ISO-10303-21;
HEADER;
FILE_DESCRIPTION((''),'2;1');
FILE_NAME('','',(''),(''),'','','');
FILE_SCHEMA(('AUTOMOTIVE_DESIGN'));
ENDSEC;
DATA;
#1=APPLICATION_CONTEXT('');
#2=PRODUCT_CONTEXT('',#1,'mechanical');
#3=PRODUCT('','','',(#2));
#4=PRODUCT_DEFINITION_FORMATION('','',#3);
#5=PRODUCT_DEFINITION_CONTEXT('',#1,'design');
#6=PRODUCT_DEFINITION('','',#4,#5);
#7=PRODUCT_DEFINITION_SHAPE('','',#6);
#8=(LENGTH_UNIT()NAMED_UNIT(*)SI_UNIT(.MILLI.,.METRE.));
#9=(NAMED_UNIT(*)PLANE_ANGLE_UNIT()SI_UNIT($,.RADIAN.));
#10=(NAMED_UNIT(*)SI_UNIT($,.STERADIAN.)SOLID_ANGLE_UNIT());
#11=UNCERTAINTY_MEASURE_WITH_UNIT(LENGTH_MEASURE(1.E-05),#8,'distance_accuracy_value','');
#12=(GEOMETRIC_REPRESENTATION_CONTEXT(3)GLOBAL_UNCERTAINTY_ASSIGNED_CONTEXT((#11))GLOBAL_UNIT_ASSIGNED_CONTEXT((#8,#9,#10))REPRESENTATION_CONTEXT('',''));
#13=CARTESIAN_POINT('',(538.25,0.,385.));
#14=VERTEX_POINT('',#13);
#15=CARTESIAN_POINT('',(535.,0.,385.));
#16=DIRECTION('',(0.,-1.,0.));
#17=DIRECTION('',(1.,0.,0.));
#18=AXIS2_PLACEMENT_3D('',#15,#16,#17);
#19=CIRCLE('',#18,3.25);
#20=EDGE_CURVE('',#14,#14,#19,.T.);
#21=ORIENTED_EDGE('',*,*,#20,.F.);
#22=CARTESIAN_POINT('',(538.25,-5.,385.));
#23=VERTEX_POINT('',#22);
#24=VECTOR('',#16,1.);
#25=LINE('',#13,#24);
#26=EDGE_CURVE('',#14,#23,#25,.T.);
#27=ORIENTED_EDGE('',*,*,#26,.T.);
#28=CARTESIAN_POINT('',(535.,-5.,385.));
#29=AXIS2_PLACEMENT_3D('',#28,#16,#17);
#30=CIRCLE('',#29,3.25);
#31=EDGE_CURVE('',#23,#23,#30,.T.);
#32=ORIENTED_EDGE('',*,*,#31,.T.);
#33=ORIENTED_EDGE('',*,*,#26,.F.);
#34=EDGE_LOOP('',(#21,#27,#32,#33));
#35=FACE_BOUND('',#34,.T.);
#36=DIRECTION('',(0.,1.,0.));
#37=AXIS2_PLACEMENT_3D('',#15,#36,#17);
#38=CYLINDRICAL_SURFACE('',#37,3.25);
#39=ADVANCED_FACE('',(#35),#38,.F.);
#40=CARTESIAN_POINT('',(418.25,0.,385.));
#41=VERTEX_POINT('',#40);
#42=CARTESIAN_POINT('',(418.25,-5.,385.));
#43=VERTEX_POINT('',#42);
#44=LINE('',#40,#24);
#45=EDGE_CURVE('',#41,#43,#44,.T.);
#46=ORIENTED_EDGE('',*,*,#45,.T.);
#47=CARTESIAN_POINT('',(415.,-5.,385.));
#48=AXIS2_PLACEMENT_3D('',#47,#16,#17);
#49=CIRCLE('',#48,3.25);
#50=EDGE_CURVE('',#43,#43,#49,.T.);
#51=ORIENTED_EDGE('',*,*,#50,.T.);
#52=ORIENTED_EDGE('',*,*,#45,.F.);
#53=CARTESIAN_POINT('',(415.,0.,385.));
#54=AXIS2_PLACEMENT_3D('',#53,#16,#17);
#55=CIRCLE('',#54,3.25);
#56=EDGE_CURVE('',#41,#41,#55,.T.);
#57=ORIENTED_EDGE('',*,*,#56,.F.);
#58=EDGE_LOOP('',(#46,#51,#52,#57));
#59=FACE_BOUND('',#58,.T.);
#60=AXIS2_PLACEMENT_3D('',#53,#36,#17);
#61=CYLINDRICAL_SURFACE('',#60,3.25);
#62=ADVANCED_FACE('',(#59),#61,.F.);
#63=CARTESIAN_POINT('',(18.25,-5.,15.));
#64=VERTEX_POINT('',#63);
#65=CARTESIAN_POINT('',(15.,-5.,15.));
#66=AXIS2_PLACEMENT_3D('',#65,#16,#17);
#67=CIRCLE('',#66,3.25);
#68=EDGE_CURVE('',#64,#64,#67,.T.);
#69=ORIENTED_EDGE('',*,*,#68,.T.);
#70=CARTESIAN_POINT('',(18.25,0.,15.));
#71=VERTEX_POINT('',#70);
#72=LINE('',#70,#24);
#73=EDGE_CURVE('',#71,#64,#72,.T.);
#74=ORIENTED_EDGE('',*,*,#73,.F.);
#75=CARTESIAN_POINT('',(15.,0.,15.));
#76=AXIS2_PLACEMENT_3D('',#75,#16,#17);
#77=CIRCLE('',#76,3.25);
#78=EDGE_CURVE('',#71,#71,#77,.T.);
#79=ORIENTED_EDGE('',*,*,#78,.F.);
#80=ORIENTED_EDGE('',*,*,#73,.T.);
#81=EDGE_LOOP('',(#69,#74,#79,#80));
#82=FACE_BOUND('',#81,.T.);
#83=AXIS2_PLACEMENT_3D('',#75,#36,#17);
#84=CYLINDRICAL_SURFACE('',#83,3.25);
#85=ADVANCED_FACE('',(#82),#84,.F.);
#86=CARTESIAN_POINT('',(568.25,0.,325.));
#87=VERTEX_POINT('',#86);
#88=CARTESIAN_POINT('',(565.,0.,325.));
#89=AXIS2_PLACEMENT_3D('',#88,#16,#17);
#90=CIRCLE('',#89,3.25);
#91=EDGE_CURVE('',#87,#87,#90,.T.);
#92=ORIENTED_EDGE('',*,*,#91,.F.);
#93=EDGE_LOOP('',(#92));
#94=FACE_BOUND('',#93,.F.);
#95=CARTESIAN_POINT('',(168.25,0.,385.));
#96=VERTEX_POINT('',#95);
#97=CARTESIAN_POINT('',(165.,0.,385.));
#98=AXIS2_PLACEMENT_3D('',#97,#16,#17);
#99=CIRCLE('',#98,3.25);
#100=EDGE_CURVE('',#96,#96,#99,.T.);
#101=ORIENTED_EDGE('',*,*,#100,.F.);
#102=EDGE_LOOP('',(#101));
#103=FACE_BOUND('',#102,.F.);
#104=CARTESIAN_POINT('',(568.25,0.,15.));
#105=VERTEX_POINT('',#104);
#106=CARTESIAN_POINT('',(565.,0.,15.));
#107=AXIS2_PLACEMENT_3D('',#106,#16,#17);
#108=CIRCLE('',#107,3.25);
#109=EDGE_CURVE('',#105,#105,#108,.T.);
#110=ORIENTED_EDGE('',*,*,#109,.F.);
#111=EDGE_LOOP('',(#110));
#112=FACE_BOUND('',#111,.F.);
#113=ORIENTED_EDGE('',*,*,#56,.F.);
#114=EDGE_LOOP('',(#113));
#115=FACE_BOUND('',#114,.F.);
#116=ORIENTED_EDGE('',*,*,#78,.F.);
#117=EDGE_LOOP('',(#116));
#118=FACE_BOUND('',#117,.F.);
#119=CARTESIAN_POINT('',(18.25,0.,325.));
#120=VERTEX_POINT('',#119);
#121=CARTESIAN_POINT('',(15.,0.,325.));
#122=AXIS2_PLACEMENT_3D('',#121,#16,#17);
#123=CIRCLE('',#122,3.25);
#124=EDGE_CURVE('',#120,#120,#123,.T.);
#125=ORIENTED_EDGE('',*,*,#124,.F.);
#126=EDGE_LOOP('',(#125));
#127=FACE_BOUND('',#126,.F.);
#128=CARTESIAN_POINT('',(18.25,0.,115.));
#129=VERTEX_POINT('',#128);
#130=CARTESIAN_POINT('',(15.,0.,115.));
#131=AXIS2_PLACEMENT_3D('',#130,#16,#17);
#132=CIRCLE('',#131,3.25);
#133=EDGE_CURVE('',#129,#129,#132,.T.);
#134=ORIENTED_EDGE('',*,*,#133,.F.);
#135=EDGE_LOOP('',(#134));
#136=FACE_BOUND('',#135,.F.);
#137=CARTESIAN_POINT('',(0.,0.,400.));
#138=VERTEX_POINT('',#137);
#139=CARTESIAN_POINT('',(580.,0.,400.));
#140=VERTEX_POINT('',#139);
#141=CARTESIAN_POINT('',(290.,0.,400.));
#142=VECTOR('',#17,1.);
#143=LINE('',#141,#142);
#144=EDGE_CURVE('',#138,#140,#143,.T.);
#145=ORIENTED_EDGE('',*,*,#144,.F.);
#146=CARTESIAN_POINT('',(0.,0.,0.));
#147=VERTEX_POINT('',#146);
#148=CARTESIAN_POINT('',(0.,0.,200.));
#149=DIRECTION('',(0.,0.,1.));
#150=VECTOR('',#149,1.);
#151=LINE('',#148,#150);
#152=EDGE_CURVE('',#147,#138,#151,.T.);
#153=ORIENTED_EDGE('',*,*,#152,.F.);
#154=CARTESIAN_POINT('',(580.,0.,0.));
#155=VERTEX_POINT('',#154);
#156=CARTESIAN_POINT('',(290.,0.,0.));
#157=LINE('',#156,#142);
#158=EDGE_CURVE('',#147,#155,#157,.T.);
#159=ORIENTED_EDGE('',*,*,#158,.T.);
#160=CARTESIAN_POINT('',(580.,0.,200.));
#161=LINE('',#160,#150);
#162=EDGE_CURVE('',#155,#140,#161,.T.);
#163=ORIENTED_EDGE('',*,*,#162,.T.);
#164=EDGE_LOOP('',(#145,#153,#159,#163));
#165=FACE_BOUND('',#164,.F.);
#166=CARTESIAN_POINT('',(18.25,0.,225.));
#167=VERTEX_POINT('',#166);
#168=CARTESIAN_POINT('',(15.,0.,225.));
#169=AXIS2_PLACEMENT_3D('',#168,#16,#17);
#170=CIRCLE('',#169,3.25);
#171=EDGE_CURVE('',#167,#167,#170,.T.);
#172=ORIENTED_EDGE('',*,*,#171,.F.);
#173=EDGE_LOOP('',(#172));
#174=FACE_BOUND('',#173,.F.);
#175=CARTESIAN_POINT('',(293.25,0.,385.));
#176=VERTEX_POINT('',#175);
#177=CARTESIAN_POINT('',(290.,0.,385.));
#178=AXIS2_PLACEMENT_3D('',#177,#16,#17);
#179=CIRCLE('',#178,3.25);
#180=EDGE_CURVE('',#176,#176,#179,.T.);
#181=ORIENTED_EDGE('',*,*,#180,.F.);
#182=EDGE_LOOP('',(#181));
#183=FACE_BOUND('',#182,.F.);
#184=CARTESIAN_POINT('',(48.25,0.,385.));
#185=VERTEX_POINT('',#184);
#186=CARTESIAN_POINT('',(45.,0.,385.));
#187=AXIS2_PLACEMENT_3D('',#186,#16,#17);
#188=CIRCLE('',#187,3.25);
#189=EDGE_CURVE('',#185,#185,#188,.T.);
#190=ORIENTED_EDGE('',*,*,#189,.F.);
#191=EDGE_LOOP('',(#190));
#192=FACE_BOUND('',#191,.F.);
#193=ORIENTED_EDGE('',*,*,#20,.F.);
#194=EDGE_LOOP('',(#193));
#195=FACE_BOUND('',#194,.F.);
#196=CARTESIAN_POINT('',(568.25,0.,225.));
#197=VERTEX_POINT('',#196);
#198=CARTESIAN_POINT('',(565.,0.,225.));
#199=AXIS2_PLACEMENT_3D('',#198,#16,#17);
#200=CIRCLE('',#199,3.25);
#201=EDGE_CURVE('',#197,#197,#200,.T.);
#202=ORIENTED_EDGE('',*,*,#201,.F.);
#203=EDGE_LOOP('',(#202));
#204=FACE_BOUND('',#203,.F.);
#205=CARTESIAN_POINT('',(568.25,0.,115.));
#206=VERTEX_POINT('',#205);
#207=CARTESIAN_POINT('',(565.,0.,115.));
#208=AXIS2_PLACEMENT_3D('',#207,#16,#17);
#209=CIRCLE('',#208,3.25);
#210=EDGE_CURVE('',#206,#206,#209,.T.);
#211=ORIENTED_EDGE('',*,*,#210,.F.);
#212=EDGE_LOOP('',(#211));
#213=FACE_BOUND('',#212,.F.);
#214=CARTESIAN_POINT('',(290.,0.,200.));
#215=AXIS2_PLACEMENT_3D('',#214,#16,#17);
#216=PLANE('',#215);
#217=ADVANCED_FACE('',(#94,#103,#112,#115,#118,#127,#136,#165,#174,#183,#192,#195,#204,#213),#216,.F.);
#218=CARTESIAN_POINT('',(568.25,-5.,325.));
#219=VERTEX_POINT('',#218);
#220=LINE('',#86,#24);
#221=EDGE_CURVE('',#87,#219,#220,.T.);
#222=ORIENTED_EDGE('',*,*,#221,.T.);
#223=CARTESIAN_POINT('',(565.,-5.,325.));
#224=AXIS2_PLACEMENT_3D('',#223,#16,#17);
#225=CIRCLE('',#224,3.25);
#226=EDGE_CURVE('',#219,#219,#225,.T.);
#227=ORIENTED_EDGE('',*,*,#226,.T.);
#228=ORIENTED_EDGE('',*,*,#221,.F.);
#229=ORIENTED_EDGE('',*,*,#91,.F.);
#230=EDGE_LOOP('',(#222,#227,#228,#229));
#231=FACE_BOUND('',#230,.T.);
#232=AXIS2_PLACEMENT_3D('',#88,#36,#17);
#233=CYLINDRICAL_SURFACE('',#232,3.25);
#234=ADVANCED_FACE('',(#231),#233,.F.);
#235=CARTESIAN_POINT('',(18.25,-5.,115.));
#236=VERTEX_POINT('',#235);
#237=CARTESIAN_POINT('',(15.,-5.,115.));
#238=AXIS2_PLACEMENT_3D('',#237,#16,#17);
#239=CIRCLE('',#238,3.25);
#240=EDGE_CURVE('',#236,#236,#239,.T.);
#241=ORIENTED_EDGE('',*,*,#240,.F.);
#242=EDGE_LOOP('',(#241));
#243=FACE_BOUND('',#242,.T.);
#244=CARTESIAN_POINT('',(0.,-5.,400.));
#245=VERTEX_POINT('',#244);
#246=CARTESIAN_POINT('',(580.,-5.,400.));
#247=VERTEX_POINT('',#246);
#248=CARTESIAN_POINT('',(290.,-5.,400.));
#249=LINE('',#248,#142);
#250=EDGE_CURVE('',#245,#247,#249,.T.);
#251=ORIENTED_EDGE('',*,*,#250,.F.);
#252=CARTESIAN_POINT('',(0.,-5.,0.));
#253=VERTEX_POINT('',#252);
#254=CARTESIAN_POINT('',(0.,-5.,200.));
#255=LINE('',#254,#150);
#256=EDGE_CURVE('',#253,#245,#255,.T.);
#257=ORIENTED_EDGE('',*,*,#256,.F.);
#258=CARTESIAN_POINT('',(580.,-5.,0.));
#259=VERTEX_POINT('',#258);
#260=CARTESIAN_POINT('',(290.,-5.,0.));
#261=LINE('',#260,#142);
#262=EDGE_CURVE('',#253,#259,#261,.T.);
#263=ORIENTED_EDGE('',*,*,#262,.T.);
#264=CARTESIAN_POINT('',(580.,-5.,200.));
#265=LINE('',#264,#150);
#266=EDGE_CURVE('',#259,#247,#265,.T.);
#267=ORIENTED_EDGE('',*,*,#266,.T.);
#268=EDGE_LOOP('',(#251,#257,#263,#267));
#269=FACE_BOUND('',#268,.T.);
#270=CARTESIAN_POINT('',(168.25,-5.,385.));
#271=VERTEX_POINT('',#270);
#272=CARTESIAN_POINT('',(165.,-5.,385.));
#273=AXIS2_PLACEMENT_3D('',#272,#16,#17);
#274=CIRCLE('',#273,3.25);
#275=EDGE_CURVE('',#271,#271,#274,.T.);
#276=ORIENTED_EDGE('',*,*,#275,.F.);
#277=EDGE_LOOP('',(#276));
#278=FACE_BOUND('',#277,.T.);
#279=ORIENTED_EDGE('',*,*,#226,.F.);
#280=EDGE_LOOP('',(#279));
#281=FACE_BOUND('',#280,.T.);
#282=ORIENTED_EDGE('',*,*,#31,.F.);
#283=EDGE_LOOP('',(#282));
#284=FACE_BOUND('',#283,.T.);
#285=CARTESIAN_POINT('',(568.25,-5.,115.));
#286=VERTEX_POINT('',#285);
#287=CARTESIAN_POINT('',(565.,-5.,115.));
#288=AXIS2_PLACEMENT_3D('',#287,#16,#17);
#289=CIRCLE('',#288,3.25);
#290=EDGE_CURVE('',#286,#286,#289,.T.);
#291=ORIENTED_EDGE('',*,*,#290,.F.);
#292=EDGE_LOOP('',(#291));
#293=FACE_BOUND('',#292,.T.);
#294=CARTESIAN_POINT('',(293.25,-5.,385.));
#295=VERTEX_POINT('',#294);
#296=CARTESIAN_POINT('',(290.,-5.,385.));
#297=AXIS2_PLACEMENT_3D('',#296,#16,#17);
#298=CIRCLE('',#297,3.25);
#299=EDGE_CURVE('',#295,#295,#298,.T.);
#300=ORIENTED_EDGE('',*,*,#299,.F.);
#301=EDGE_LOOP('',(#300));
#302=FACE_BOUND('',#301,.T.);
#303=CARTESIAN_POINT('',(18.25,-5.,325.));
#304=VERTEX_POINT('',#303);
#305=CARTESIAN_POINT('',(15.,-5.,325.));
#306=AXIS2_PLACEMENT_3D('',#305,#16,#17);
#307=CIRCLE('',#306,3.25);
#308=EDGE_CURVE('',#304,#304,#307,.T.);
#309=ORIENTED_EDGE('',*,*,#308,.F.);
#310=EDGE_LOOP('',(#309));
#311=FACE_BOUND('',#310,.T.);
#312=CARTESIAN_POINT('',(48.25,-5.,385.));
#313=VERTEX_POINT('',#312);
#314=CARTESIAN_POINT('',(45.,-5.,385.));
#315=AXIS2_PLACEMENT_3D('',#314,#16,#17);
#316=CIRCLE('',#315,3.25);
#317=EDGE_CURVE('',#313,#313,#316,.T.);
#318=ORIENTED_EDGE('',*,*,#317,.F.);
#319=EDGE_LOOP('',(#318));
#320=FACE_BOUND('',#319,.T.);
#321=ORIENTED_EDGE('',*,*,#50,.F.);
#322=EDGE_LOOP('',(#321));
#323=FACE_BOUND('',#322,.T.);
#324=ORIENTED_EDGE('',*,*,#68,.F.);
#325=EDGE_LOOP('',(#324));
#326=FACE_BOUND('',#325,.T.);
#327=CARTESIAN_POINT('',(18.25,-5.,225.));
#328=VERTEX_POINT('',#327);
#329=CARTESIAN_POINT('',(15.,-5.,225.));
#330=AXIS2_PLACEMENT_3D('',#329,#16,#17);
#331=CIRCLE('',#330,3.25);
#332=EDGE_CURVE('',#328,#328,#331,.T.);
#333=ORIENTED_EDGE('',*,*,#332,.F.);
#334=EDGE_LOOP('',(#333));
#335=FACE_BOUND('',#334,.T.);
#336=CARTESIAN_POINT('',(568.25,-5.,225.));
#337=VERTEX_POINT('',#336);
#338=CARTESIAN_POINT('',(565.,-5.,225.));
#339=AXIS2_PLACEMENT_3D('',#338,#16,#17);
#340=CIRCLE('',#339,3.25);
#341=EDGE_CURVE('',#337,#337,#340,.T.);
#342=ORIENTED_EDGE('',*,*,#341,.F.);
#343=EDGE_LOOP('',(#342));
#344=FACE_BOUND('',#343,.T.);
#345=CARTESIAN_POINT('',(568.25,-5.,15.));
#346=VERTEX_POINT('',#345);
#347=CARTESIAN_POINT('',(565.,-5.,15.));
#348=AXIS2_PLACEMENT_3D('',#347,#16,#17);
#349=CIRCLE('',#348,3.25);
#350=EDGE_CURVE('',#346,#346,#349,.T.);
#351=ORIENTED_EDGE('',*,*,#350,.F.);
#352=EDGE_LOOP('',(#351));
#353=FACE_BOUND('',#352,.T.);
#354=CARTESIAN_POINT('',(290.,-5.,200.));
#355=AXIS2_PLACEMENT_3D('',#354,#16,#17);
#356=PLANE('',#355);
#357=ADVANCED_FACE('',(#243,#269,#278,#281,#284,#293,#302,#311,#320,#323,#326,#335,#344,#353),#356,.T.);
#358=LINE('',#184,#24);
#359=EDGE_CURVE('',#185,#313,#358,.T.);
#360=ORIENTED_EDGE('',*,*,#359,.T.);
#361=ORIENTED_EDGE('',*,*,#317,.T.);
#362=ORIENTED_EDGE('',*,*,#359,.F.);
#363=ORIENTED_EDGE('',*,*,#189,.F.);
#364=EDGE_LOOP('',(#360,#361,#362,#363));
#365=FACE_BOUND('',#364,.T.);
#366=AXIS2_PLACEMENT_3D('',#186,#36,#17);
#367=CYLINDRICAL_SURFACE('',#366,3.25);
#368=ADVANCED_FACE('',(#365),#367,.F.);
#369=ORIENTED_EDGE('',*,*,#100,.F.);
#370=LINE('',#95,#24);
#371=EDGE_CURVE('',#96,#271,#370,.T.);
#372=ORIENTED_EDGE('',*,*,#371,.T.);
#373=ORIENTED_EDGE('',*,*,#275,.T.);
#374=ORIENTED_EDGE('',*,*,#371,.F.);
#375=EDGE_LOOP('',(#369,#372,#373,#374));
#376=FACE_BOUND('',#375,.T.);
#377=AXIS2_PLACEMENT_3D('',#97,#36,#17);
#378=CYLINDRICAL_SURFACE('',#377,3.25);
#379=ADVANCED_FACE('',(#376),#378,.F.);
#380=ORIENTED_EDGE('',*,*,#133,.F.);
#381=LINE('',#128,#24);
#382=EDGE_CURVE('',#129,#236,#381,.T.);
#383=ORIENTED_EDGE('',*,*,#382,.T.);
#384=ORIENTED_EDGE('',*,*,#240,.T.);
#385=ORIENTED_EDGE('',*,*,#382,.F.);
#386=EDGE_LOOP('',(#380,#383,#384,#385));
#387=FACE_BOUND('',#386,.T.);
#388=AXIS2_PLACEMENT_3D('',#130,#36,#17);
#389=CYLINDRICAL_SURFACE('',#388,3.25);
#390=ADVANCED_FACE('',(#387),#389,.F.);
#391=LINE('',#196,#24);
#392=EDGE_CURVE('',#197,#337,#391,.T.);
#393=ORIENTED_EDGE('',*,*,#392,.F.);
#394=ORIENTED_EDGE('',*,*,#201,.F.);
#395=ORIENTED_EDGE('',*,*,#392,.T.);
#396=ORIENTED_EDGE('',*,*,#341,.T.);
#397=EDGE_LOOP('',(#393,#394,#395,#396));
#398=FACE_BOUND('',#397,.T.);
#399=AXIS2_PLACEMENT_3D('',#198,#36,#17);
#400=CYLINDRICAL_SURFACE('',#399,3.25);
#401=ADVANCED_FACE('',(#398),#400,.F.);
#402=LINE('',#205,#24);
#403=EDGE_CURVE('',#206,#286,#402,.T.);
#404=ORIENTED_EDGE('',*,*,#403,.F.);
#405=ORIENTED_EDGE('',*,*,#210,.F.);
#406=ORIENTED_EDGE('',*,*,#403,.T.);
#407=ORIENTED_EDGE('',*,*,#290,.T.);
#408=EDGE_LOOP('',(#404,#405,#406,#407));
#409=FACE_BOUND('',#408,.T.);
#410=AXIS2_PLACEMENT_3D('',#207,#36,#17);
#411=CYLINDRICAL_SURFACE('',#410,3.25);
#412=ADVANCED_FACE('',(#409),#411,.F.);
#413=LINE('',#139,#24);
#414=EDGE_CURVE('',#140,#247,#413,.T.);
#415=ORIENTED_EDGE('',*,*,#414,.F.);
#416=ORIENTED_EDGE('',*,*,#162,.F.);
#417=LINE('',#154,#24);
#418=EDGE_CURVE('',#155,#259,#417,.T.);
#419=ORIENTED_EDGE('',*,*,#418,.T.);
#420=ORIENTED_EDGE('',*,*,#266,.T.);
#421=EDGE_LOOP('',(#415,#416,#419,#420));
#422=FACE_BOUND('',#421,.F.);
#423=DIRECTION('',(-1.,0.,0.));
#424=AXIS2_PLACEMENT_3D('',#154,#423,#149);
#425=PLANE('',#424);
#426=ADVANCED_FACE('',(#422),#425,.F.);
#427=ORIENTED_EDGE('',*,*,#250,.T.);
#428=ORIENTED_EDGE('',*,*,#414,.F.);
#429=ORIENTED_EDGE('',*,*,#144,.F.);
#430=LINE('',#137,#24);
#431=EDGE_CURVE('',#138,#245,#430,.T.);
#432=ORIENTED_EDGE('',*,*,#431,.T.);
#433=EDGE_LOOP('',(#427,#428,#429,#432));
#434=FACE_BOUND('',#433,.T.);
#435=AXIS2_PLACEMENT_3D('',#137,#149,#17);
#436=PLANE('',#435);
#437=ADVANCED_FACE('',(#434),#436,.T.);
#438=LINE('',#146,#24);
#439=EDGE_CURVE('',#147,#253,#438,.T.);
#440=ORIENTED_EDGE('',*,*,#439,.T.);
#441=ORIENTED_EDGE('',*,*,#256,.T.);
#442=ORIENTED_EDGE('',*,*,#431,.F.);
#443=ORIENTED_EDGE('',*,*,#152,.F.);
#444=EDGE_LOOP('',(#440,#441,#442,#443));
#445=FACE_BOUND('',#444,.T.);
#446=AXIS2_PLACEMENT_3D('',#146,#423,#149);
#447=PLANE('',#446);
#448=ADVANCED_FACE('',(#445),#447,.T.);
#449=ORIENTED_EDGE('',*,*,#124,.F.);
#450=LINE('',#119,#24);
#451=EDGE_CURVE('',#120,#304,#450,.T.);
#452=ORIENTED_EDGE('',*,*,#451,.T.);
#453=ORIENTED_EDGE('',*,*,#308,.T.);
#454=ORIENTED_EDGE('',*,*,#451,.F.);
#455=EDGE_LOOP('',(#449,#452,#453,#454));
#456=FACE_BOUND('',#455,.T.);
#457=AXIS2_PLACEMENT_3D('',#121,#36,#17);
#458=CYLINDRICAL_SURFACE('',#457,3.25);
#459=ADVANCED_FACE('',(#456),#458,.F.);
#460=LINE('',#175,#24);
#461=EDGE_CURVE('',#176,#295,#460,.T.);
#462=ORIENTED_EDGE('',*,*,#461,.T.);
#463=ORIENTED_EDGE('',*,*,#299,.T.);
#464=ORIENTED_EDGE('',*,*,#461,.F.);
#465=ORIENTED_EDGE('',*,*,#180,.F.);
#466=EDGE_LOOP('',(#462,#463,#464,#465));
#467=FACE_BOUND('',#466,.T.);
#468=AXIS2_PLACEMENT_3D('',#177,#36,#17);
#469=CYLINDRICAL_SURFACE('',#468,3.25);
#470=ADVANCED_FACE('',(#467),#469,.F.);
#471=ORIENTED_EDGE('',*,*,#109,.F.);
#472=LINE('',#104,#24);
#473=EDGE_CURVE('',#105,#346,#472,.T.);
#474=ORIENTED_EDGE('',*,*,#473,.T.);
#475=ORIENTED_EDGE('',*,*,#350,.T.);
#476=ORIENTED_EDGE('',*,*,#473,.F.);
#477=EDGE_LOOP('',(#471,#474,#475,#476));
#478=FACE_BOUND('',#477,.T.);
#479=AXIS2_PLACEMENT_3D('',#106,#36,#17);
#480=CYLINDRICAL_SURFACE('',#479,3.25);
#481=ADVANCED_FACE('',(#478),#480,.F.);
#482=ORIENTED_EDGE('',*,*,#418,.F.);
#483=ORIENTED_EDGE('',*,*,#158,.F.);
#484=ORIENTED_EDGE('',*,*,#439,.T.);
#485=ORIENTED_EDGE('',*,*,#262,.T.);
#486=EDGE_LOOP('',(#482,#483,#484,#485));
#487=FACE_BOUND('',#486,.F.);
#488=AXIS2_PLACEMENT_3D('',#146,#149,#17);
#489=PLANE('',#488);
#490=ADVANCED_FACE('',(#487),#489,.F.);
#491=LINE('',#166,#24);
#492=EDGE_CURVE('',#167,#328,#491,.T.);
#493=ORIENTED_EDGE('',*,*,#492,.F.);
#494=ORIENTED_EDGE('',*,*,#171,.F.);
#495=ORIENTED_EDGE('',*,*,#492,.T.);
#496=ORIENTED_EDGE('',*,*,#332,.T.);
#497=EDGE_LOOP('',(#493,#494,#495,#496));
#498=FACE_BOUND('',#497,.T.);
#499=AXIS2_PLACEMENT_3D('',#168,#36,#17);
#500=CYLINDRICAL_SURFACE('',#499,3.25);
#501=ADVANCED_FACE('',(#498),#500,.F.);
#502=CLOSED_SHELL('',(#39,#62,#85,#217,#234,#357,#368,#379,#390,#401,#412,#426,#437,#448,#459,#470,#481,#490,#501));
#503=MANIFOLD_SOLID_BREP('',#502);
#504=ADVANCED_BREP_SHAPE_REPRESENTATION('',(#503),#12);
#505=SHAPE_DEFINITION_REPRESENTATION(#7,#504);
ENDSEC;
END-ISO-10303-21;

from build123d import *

# Parameters (mm, degrees)
F0_W     = 580
F0_H     = 400
F0_R     = 3.25
F1_DEPTH = 5


with BuildPart() as f1:
    # F0 (on Front) → F1 (new body)
    with BuildSketch(Plane.XZ):
        with Locations((290, 200)):
            Rectangle(F0_W, F0_H)
        with Locations((15, 15)):
            Circle(F0_R, mode=Mode.SUBTRACT)
        with Locations((15, 115)):
            Circle(F0_R, mode=Mode.SUBTRACT)
        with Locations((565, 15)):
            Circle(F0_R, mode=Mode.SUBTRACT)
        with Locations((565, 115)):
            Circle(F0_R, mode=Mode.SUBTRACT)
        with Locations((15, 225)):
            Circle(F0_R, mode=Mode.SUBTRACT)
        with Locations((15, 325)):
            Circle(F0_R, mode=Mode.SUBTRACT)
        with Locations((45, 385)):
            Circle(F0_R, mode=Mode.SUBTRACT)
        with Locations((165, 385)):
            Circle(F0_R, mode=Mode.SUBTRACT)
        with Locations((565, 225)):
            Circle(F0_R, mode=Mode.SUBTRACT)
        with Locations((290, 385)):
            Circle(F0_R, mode=Mode.SUBTRACT)
        with Locations((415, 385)):
            Circle(F0_R, mode=Mode.SUBTRACT)
        with Locations((565, 325)):
            Circle(F0_R, mode=Mode.SUBTRACT)
        with Locations((535, 385)):
            Circle(F0_R, mode=Mode.SUBTRACT)
    extrude(amount=F1_DEPTH)


solid = f1.part
